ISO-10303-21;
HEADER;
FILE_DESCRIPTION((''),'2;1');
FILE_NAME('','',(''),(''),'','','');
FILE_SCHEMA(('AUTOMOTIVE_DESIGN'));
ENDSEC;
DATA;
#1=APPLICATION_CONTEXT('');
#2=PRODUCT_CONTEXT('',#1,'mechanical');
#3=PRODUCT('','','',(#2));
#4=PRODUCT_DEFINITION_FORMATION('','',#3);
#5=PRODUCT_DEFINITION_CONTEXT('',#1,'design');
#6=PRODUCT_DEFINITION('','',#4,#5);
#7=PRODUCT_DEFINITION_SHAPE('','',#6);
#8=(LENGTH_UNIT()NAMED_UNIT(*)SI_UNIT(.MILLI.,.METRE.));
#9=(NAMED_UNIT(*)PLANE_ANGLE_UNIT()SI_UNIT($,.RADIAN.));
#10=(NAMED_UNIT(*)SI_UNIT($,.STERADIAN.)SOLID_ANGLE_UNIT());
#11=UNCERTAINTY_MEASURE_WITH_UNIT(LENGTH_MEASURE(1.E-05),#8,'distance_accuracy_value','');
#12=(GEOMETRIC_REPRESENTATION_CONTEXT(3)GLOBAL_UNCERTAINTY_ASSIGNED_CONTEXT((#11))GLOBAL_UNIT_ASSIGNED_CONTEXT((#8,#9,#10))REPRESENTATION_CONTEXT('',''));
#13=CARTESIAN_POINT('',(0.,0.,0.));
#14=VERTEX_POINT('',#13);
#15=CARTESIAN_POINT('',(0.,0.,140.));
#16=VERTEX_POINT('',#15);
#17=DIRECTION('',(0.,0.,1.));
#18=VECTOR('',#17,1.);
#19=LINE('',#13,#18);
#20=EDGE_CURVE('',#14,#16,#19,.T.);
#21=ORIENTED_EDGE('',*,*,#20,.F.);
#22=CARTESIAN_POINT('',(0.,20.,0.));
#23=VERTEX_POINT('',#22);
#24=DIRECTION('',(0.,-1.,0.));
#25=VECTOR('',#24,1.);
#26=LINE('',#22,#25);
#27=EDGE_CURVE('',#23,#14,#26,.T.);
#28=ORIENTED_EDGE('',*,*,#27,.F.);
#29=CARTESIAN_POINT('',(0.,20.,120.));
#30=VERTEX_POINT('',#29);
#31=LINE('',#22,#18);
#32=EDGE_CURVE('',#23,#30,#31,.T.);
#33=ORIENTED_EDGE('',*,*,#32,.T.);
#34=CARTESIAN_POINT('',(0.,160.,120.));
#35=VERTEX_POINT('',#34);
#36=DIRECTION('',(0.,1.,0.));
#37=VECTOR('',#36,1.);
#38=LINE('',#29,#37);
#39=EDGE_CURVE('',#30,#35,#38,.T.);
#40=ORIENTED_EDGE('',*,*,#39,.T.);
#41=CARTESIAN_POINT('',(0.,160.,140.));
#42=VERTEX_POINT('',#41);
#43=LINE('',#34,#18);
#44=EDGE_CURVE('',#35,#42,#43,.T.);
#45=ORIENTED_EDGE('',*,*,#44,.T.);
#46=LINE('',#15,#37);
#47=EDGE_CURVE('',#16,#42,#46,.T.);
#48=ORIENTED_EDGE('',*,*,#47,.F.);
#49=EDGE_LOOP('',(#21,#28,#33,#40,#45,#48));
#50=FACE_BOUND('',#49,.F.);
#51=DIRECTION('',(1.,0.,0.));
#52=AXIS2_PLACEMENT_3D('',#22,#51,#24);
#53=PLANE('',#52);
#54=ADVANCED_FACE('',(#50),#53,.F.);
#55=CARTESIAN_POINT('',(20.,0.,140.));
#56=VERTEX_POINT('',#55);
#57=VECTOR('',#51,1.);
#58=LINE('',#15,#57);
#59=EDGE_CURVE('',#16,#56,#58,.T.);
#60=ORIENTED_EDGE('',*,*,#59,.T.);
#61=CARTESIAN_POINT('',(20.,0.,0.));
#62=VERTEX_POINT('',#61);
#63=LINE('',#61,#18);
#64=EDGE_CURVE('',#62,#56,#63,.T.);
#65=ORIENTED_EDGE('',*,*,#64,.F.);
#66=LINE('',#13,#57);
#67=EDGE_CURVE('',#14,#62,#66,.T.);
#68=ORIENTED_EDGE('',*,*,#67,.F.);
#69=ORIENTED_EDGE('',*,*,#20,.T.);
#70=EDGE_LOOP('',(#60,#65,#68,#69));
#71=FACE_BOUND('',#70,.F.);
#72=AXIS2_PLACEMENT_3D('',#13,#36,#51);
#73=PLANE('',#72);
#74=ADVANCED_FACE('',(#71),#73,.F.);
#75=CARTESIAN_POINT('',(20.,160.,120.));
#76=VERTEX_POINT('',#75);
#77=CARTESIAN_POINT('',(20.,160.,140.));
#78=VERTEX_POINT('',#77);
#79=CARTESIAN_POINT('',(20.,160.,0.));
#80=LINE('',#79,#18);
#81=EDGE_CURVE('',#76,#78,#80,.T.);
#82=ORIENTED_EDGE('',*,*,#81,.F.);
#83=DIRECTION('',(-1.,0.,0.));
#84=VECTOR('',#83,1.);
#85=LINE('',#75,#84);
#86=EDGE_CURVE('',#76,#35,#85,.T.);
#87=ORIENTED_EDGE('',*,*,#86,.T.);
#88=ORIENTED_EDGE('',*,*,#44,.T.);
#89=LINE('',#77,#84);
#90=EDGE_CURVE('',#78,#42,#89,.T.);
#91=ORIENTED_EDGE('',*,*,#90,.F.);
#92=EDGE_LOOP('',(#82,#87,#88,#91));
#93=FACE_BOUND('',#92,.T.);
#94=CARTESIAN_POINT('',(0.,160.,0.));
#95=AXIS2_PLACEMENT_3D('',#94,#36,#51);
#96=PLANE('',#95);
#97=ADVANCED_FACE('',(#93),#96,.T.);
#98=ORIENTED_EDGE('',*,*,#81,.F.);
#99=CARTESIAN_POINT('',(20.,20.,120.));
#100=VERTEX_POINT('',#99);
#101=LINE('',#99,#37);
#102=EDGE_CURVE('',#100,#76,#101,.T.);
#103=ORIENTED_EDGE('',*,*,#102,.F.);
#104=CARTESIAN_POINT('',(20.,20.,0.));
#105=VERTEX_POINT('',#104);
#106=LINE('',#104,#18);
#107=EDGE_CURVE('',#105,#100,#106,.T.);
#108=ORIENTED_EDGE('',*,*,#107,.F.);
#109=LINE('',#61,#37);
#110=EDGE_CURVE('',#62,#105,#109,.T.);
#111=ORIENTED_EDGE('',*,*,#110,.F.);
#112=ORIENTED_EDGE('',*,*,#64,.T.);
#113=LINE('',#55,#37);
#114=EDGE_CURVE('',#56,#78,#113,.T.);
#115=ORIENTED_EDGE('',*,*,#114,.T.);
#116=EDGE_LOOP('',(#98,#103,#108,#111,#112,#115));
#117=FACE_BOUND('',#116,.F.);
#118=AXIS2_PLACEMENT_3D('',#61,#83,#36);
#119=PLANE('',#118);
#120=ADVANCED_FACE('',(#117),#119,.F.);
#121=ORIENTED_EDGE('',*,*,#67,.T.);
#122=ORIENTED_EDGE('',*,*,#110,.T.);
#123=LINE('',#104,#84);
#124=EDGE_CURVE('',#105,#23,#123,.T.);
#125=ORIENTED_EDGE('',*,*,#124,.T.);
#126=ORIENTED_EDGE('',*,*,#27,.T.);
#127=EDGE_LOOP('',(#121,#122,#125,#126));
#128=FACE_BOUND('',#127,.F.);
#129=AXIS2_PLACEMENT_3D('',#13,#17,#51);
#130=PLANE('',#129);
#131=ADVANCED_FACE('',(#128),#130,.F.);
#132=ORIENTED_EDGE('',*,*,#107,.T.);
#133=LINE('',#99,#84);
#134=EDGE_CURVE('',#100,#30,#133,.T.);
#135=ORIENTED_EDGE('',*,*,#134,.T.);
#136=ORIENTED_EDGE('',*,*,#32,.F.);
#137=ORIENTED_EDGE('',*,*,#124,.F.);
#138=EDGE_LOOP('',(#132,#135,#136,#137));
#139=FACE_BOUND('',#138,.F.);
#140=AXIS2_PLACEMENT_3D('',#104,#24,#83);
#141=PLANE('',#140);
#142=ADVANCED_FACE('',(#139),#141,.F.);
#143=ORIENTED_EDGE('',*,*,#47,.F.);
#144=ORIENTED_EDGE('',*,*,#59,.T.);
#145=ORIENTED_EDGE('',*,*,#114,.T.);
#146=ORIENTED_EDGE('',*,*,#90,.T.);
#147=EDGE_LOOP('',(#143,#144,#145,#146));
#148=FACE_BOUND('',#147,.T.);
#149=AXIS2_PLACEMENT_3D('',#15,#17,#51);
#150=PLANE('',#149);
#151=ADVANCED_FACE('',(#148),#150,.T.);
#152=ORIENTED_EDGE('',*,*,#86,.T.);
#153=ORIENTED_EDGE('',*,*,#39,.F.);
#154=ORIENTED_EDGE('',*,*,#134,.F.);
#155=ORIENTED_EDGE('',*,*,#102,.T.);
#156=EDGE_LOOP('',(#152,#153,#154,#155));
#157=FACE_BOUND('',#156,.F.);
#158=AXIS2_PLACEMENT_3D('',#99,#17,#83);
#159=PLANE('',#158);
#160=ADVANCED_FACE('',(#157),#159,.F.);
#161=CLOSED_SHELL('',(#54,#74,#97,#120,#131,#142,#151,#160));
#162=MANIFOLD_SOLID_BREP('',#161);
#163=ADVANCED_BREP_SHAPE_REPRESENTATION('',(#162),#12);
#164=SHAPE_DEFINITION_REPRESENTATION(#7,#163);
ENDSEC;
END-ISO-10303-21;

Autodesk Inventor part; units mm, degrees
ref_plane "YZ Plane" through (0, 0, 0) normal (1, 0, 0) x (0, 1, 0)
ref_plane "XZ Plane" through (0, 0, 0) normal (0, 1, 0) x (-1, 0, 0)
ref_plane "XY Plane" through (0, 0, 0) normal (0, 0, 1) x (1, 0, 0)
sketch "Sketch1" plane through (0, 0, 0) normal (0, 0, 1) x (1, 0, 0)
  line L0 (0, 0) -> (20, 0)
  line L1 (20, 0) -> (20, 20)
  line L2 (20, 20) -> (0, 20)
  line L3 (0, 20) -> (0, 0)
  dimension "d0" = 20
  dimension "d1" = 20
extrude "Extrusion1" add sketch "Sketch1" along normal blind 140
sketch "Sketch2" plane through (0, 20, 0) normal (0, 1, 0) x (1, 0, 0)
  line L0 (20, -140) -> (0, -140) projected
  line L1 (20, 0) -> (20, -140) projected
  line L2 (0, -140) -> (20, -140)
  line L3 (20, -140) -> (20, -120)
  line L4 (20, -120) -> (0, -120)
  line L5 (0, -120) -> (0, -140)
  point P0 (0, 0)
  dimension "d4" = 20
extrude "Extrusion2" add sketch "Sketch2" along normal blind 140
sketch "Sketch3" plane through (0, 160, 0) normal (0, 1, 0) x (1, 0, 0)
  point P0 (0, 0)
properties part number "support"
